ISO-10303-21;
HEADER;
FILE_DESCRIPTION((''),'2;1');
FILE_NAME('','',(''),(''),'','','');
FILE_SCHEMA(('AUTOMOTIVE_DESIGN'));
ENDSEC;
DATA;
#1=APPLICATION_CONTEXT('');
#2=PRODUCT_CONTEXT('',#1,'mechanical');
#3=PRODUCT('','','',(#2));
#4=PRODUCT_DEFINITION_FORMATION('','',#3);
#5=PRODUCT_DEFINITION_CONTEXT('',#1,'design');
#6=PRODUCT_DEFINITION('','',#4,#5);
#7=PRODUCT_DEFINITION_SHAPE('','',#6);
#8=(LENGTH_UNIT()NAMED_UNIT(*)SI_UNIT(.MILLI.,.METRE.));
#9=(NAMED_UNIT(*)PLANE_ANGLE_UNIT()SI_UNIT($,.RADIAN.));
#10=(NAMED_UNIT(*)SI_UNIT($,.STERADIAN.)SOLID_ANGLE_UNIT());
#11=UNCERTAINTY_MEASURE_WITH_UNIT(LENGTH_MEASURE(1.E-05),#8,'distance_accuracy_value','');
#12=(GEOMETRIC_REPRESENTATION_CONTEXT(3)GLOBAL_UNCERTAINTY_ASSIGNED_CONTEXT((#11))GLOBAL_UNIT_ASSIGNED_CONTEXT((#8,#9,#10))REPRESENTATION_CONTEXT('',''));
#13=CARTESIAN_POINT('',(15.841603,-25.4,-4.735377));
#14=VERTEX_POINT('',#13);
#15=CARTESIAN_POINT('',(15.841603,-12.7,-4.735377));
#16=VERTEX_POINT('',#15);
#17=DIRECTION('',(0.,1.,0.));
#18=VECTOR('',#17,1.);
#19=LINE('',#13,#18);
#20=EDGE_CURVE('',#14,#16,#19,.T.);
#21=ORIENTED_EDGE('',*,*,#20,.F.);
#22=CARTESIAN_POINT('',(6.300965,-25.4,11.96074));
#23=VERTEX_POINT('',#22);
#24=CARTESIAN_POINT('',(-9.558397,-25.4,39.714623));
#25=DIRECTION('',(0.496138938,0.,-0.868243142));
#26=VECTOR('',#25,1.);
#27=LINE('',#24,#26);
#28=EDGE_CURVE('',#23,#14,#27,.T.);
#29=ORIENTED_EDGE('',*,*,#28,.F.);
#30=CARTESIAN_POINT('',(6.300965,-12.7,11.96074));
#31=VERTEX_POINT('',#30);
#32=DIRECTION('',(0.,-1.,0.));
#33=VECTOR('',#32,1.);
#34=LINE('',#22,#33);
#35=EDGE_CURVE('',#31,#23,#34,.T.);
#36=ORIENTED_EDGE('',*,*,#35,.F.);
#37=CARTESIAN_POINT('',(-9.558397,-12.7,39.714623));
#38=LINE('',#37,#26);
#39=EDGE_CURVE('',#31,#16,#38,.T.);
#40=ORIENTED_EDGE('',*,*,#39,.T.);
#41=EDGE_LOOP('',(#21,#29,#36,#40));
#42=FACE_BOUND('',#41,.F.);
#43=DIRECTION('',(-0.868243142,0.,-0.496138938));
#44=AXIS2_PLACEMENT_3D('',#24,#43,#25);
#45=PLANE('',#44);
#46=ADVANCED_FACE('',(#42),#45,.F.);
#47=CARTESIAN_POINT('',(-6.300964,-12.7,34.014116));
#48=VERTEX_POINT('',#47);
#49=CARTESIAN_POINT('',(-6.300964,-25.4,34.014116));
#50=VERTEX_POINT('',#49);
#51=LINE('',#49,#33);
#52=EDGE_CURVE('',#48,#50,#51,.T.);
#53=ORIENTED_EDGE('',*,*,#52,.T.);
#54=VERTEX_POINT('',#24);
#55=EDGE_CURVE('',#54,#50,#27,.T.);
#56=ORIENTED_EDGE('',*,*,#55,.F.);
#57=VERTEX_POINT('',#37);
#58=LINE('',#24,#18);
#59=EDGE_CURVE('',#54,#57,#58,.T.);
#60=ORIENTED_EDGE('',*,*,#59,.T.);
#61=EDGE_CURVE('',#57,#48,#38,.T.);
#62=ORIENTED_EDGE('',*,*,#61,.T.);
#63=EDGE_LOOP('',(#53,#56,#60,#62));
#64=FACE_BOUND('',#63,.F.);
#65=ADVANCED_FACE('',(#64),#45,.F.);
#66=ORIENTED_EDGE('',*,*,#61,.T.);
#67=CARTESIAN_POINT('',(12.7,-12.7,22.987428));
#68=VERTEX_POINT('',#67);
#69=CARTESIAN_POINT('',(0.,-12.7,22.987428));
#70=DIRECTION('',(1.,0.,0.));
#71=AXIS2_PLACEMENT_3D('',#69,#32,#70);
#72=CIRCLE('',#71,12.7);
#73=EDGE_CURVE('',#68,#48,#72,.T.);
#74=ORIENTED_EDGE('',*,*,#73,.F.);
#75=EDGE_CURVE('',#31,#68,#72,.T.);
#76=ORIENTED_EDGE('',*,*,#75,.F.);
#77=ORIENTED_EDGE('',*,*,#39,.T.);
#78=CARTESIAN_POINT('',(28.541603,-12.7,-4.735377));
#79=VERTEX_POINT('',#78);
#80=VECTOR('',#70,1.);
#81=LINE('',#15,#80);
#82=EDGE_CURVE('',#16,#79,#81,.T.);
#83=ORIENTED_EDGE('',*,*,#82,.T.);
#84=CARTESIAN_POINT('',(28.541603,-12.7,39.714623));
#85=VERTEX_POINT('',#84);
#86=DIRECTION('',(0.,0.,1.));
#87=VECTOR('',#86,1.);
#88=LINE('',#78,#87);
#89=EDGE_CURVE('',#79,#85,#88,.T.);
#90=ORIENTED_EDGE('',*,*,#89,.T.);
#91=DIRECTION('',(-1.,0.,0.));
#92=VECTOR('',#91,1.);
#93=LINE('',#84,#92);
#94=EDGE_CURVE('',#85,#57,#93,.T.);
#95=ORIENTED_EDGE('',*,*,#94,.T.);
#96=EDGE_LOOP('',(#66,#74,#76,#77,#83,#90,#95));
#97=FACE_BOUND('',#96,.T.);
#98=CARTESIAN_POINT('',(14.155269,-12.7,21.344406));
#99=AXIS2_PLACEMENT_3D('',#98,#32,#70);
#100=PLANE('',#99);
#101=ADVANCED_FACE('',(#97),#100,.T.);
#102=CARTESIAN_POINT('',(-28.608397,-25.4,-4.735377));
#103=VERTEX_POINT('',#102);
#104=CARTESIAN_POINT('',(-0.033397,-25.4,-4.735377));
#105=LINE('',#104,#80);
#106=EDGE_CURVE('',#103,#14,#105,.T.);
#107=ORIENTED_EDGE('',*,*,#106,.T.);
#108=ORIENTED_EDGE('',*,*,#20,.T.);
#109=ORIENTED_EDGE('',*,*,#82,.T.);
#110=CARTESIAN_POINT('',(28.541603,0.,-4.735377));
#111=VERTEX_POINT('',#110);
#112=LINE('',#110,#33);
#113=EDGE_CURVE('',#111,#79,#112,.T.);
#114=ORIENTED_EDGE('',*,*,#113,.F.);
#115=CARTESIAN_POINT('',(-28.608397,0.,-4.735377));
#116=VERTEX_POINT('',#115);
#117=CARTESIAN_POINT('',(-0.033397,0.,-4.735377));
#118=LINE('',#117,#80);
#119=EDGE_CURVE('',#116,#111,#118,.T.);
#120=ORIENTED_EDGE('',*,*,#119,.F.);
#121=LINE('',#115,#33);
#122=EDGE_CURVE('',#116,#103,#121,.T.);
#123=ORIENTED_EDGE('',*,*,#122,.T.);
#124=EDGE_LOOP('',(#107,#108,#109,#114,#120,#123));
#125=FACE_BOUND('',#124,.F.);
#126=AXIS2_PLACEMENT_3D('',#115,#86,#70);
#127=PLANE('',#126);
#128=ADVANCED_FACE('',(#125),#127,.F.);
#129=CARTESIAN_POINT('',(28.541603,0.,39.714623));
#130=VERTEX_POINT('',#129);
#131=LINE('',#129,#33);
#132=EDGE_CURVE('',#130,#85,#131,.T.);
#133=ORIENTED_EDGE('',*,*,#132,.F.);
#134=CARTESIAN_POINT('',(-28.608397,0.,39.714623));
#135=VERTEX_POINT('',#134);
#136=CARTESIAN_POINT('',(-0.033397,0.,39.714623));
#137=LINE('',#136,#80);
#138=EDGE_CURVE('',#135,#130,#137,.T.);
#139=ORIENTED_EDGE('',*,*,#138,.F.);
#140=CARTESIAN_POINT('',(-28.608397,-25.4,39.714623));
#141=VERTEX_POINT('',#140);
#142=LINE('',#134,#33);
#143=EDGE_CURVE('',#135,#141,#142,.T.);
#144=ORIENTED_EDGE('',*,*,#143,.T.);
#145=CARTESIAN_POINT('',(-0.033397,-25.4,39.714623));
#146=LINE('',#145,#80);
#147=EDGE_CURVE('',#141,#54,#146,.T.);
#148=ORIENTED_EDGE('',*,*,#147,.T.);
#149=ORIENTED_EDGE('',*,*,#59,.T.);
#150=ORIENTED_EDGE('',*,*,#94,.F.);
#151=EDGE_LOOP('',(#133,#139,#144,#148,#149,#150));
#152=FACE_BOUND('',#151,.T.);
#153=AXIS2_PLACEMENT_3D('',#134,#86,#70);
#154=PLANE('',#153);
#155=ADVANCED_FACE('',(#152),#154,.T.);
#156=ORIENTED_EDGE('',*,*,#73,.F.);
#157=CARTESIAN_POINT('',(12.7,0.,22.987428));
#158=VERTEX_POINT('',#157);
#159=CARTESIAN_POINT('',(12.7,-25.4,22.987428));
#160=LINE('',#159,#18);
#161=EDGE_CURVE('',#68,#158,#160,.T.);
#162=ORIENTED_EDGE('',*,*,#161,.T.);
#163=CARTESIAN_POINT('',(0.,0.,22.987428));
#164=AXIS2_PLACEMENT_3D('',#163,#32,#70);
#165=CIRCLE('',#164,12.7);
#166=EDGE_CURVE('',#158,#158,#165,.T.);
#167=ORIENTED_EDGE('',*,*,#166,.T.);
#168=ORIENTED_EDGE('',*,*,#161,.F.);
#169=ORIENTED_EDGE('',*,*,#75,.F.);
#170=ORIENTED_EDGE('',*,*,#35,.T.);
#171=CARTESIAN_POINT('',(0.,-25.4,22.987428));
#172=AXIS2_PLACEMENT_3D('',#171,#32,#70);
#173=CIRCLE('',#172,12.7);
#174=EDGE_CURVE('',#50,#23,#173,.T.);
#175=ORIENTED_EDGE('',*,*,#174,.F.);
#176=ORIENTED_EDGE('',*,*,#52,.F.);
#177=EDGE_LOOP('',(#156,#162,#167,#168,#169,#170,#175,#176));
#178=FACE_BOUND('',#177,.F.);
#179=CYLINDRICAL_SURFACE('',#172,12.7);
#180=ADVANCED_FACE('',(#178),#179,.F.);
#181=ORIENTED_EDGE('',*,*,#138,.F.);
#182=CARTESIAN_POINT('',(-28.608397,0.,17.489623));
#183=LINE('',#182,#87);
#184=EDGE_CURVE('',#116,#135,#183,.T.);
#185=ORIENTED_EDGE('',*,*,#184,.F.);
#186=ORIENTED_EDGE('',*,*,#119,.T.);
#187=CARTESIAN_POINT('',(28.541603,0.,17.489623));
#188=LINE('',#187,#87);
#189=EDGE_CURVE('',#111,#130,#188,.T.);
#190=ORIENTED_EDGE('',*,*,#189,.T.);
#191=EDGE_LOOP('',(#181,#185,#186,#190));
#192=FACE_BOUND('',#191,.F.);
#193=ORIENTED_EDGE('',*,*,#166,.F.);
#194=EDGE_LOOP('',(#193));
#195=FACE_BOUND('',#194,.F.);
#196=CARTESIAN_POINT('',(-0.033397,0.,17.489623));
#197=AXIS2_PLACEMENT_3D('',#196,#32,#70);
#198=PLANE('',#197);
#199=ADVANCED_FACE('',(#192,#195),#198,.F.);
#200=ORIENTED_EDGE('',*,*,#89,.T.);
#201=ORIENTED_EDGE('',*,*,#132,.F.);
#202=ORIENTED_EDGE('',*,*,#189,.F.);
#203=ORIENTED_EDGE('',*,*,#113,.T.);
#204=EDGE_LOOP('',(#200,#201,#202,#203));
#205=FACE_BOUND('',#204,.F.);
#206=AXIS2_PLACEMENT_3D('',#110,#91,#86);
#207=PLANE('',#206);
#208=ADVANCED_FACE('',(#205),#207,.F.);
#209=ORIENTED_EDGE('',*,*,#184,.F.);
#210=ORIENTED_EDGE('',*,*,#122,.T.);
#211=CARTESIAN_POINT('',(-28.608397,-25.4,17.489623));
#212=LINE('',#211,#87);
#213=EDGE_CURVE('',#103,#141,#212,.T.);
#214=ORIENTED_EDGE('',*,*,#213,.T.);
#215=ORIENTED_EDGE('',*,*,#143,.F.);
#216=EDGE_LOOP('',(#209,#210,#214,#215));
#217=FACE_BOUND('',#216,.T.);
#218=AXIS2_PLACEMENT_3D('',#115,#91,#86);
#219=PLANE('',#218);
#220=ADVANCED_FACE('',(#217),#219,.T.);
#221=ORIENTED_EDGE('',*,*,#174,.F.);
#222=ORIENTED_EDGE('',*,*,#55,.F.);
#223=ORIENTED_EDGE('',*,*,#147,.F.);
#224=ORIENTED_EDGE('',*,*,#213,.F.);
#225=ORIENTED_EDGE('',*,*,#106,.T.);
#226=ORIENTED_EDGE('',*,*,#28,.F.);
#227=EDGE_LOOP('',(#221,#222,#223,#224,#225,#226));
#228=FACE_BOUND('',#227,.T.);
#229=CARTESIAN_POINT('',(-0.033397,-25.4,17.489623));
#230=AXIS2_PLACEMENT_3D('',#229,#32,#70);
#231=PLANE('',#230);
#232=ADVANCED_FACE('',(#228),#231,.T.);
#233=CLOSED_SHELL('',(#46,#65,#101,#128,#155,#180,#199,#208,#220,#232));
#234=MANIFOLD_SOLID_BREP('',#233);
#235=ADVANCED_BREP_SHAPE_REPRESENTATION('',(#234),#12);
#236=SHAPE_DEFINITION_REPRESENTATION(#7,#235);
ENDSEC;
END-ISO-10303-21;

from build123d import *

# Parameters (mm, degrees)
F0_W     = 57.15
F0_H     = 44.45
F1_DEPTH = 25.4
F3_DEPTH = 12.7
F4_R     = 12.7
F5_DEPTH = 27940


with BuildPart() as f1:
    # F0 (on Front) → F1 (new body)
    with BuildSketch(Plane.XZ):
        with Locations((-0.033397, 17.489623)):
            Rectangle(F0_W, F0_H)
    extrude(amount=F1_DEPTH)

    # F2 (on face) → F3 (cut)
    with BuildSketch(Plane.XZ.offset(25.4)):
        Polygon((28.541603, 39.714623), (-9.558397, 39.714623), (15.841603, -4.735377), (28.541603, -4.735377), align=None)
    extrude(amount=-F3_DEPTH, mode=Mode.SUBTRACT)

    # F4 (on face) → F5 (cut)
    with BuildSketch(Plane.XZ.offset(25.4)):
        with Locations((0, 22.987428)):
            Circle(F4_R)
    extrude(amount=-F5_DEPTH, mode=Mode.SUBTRACT)


solid = f1.part
